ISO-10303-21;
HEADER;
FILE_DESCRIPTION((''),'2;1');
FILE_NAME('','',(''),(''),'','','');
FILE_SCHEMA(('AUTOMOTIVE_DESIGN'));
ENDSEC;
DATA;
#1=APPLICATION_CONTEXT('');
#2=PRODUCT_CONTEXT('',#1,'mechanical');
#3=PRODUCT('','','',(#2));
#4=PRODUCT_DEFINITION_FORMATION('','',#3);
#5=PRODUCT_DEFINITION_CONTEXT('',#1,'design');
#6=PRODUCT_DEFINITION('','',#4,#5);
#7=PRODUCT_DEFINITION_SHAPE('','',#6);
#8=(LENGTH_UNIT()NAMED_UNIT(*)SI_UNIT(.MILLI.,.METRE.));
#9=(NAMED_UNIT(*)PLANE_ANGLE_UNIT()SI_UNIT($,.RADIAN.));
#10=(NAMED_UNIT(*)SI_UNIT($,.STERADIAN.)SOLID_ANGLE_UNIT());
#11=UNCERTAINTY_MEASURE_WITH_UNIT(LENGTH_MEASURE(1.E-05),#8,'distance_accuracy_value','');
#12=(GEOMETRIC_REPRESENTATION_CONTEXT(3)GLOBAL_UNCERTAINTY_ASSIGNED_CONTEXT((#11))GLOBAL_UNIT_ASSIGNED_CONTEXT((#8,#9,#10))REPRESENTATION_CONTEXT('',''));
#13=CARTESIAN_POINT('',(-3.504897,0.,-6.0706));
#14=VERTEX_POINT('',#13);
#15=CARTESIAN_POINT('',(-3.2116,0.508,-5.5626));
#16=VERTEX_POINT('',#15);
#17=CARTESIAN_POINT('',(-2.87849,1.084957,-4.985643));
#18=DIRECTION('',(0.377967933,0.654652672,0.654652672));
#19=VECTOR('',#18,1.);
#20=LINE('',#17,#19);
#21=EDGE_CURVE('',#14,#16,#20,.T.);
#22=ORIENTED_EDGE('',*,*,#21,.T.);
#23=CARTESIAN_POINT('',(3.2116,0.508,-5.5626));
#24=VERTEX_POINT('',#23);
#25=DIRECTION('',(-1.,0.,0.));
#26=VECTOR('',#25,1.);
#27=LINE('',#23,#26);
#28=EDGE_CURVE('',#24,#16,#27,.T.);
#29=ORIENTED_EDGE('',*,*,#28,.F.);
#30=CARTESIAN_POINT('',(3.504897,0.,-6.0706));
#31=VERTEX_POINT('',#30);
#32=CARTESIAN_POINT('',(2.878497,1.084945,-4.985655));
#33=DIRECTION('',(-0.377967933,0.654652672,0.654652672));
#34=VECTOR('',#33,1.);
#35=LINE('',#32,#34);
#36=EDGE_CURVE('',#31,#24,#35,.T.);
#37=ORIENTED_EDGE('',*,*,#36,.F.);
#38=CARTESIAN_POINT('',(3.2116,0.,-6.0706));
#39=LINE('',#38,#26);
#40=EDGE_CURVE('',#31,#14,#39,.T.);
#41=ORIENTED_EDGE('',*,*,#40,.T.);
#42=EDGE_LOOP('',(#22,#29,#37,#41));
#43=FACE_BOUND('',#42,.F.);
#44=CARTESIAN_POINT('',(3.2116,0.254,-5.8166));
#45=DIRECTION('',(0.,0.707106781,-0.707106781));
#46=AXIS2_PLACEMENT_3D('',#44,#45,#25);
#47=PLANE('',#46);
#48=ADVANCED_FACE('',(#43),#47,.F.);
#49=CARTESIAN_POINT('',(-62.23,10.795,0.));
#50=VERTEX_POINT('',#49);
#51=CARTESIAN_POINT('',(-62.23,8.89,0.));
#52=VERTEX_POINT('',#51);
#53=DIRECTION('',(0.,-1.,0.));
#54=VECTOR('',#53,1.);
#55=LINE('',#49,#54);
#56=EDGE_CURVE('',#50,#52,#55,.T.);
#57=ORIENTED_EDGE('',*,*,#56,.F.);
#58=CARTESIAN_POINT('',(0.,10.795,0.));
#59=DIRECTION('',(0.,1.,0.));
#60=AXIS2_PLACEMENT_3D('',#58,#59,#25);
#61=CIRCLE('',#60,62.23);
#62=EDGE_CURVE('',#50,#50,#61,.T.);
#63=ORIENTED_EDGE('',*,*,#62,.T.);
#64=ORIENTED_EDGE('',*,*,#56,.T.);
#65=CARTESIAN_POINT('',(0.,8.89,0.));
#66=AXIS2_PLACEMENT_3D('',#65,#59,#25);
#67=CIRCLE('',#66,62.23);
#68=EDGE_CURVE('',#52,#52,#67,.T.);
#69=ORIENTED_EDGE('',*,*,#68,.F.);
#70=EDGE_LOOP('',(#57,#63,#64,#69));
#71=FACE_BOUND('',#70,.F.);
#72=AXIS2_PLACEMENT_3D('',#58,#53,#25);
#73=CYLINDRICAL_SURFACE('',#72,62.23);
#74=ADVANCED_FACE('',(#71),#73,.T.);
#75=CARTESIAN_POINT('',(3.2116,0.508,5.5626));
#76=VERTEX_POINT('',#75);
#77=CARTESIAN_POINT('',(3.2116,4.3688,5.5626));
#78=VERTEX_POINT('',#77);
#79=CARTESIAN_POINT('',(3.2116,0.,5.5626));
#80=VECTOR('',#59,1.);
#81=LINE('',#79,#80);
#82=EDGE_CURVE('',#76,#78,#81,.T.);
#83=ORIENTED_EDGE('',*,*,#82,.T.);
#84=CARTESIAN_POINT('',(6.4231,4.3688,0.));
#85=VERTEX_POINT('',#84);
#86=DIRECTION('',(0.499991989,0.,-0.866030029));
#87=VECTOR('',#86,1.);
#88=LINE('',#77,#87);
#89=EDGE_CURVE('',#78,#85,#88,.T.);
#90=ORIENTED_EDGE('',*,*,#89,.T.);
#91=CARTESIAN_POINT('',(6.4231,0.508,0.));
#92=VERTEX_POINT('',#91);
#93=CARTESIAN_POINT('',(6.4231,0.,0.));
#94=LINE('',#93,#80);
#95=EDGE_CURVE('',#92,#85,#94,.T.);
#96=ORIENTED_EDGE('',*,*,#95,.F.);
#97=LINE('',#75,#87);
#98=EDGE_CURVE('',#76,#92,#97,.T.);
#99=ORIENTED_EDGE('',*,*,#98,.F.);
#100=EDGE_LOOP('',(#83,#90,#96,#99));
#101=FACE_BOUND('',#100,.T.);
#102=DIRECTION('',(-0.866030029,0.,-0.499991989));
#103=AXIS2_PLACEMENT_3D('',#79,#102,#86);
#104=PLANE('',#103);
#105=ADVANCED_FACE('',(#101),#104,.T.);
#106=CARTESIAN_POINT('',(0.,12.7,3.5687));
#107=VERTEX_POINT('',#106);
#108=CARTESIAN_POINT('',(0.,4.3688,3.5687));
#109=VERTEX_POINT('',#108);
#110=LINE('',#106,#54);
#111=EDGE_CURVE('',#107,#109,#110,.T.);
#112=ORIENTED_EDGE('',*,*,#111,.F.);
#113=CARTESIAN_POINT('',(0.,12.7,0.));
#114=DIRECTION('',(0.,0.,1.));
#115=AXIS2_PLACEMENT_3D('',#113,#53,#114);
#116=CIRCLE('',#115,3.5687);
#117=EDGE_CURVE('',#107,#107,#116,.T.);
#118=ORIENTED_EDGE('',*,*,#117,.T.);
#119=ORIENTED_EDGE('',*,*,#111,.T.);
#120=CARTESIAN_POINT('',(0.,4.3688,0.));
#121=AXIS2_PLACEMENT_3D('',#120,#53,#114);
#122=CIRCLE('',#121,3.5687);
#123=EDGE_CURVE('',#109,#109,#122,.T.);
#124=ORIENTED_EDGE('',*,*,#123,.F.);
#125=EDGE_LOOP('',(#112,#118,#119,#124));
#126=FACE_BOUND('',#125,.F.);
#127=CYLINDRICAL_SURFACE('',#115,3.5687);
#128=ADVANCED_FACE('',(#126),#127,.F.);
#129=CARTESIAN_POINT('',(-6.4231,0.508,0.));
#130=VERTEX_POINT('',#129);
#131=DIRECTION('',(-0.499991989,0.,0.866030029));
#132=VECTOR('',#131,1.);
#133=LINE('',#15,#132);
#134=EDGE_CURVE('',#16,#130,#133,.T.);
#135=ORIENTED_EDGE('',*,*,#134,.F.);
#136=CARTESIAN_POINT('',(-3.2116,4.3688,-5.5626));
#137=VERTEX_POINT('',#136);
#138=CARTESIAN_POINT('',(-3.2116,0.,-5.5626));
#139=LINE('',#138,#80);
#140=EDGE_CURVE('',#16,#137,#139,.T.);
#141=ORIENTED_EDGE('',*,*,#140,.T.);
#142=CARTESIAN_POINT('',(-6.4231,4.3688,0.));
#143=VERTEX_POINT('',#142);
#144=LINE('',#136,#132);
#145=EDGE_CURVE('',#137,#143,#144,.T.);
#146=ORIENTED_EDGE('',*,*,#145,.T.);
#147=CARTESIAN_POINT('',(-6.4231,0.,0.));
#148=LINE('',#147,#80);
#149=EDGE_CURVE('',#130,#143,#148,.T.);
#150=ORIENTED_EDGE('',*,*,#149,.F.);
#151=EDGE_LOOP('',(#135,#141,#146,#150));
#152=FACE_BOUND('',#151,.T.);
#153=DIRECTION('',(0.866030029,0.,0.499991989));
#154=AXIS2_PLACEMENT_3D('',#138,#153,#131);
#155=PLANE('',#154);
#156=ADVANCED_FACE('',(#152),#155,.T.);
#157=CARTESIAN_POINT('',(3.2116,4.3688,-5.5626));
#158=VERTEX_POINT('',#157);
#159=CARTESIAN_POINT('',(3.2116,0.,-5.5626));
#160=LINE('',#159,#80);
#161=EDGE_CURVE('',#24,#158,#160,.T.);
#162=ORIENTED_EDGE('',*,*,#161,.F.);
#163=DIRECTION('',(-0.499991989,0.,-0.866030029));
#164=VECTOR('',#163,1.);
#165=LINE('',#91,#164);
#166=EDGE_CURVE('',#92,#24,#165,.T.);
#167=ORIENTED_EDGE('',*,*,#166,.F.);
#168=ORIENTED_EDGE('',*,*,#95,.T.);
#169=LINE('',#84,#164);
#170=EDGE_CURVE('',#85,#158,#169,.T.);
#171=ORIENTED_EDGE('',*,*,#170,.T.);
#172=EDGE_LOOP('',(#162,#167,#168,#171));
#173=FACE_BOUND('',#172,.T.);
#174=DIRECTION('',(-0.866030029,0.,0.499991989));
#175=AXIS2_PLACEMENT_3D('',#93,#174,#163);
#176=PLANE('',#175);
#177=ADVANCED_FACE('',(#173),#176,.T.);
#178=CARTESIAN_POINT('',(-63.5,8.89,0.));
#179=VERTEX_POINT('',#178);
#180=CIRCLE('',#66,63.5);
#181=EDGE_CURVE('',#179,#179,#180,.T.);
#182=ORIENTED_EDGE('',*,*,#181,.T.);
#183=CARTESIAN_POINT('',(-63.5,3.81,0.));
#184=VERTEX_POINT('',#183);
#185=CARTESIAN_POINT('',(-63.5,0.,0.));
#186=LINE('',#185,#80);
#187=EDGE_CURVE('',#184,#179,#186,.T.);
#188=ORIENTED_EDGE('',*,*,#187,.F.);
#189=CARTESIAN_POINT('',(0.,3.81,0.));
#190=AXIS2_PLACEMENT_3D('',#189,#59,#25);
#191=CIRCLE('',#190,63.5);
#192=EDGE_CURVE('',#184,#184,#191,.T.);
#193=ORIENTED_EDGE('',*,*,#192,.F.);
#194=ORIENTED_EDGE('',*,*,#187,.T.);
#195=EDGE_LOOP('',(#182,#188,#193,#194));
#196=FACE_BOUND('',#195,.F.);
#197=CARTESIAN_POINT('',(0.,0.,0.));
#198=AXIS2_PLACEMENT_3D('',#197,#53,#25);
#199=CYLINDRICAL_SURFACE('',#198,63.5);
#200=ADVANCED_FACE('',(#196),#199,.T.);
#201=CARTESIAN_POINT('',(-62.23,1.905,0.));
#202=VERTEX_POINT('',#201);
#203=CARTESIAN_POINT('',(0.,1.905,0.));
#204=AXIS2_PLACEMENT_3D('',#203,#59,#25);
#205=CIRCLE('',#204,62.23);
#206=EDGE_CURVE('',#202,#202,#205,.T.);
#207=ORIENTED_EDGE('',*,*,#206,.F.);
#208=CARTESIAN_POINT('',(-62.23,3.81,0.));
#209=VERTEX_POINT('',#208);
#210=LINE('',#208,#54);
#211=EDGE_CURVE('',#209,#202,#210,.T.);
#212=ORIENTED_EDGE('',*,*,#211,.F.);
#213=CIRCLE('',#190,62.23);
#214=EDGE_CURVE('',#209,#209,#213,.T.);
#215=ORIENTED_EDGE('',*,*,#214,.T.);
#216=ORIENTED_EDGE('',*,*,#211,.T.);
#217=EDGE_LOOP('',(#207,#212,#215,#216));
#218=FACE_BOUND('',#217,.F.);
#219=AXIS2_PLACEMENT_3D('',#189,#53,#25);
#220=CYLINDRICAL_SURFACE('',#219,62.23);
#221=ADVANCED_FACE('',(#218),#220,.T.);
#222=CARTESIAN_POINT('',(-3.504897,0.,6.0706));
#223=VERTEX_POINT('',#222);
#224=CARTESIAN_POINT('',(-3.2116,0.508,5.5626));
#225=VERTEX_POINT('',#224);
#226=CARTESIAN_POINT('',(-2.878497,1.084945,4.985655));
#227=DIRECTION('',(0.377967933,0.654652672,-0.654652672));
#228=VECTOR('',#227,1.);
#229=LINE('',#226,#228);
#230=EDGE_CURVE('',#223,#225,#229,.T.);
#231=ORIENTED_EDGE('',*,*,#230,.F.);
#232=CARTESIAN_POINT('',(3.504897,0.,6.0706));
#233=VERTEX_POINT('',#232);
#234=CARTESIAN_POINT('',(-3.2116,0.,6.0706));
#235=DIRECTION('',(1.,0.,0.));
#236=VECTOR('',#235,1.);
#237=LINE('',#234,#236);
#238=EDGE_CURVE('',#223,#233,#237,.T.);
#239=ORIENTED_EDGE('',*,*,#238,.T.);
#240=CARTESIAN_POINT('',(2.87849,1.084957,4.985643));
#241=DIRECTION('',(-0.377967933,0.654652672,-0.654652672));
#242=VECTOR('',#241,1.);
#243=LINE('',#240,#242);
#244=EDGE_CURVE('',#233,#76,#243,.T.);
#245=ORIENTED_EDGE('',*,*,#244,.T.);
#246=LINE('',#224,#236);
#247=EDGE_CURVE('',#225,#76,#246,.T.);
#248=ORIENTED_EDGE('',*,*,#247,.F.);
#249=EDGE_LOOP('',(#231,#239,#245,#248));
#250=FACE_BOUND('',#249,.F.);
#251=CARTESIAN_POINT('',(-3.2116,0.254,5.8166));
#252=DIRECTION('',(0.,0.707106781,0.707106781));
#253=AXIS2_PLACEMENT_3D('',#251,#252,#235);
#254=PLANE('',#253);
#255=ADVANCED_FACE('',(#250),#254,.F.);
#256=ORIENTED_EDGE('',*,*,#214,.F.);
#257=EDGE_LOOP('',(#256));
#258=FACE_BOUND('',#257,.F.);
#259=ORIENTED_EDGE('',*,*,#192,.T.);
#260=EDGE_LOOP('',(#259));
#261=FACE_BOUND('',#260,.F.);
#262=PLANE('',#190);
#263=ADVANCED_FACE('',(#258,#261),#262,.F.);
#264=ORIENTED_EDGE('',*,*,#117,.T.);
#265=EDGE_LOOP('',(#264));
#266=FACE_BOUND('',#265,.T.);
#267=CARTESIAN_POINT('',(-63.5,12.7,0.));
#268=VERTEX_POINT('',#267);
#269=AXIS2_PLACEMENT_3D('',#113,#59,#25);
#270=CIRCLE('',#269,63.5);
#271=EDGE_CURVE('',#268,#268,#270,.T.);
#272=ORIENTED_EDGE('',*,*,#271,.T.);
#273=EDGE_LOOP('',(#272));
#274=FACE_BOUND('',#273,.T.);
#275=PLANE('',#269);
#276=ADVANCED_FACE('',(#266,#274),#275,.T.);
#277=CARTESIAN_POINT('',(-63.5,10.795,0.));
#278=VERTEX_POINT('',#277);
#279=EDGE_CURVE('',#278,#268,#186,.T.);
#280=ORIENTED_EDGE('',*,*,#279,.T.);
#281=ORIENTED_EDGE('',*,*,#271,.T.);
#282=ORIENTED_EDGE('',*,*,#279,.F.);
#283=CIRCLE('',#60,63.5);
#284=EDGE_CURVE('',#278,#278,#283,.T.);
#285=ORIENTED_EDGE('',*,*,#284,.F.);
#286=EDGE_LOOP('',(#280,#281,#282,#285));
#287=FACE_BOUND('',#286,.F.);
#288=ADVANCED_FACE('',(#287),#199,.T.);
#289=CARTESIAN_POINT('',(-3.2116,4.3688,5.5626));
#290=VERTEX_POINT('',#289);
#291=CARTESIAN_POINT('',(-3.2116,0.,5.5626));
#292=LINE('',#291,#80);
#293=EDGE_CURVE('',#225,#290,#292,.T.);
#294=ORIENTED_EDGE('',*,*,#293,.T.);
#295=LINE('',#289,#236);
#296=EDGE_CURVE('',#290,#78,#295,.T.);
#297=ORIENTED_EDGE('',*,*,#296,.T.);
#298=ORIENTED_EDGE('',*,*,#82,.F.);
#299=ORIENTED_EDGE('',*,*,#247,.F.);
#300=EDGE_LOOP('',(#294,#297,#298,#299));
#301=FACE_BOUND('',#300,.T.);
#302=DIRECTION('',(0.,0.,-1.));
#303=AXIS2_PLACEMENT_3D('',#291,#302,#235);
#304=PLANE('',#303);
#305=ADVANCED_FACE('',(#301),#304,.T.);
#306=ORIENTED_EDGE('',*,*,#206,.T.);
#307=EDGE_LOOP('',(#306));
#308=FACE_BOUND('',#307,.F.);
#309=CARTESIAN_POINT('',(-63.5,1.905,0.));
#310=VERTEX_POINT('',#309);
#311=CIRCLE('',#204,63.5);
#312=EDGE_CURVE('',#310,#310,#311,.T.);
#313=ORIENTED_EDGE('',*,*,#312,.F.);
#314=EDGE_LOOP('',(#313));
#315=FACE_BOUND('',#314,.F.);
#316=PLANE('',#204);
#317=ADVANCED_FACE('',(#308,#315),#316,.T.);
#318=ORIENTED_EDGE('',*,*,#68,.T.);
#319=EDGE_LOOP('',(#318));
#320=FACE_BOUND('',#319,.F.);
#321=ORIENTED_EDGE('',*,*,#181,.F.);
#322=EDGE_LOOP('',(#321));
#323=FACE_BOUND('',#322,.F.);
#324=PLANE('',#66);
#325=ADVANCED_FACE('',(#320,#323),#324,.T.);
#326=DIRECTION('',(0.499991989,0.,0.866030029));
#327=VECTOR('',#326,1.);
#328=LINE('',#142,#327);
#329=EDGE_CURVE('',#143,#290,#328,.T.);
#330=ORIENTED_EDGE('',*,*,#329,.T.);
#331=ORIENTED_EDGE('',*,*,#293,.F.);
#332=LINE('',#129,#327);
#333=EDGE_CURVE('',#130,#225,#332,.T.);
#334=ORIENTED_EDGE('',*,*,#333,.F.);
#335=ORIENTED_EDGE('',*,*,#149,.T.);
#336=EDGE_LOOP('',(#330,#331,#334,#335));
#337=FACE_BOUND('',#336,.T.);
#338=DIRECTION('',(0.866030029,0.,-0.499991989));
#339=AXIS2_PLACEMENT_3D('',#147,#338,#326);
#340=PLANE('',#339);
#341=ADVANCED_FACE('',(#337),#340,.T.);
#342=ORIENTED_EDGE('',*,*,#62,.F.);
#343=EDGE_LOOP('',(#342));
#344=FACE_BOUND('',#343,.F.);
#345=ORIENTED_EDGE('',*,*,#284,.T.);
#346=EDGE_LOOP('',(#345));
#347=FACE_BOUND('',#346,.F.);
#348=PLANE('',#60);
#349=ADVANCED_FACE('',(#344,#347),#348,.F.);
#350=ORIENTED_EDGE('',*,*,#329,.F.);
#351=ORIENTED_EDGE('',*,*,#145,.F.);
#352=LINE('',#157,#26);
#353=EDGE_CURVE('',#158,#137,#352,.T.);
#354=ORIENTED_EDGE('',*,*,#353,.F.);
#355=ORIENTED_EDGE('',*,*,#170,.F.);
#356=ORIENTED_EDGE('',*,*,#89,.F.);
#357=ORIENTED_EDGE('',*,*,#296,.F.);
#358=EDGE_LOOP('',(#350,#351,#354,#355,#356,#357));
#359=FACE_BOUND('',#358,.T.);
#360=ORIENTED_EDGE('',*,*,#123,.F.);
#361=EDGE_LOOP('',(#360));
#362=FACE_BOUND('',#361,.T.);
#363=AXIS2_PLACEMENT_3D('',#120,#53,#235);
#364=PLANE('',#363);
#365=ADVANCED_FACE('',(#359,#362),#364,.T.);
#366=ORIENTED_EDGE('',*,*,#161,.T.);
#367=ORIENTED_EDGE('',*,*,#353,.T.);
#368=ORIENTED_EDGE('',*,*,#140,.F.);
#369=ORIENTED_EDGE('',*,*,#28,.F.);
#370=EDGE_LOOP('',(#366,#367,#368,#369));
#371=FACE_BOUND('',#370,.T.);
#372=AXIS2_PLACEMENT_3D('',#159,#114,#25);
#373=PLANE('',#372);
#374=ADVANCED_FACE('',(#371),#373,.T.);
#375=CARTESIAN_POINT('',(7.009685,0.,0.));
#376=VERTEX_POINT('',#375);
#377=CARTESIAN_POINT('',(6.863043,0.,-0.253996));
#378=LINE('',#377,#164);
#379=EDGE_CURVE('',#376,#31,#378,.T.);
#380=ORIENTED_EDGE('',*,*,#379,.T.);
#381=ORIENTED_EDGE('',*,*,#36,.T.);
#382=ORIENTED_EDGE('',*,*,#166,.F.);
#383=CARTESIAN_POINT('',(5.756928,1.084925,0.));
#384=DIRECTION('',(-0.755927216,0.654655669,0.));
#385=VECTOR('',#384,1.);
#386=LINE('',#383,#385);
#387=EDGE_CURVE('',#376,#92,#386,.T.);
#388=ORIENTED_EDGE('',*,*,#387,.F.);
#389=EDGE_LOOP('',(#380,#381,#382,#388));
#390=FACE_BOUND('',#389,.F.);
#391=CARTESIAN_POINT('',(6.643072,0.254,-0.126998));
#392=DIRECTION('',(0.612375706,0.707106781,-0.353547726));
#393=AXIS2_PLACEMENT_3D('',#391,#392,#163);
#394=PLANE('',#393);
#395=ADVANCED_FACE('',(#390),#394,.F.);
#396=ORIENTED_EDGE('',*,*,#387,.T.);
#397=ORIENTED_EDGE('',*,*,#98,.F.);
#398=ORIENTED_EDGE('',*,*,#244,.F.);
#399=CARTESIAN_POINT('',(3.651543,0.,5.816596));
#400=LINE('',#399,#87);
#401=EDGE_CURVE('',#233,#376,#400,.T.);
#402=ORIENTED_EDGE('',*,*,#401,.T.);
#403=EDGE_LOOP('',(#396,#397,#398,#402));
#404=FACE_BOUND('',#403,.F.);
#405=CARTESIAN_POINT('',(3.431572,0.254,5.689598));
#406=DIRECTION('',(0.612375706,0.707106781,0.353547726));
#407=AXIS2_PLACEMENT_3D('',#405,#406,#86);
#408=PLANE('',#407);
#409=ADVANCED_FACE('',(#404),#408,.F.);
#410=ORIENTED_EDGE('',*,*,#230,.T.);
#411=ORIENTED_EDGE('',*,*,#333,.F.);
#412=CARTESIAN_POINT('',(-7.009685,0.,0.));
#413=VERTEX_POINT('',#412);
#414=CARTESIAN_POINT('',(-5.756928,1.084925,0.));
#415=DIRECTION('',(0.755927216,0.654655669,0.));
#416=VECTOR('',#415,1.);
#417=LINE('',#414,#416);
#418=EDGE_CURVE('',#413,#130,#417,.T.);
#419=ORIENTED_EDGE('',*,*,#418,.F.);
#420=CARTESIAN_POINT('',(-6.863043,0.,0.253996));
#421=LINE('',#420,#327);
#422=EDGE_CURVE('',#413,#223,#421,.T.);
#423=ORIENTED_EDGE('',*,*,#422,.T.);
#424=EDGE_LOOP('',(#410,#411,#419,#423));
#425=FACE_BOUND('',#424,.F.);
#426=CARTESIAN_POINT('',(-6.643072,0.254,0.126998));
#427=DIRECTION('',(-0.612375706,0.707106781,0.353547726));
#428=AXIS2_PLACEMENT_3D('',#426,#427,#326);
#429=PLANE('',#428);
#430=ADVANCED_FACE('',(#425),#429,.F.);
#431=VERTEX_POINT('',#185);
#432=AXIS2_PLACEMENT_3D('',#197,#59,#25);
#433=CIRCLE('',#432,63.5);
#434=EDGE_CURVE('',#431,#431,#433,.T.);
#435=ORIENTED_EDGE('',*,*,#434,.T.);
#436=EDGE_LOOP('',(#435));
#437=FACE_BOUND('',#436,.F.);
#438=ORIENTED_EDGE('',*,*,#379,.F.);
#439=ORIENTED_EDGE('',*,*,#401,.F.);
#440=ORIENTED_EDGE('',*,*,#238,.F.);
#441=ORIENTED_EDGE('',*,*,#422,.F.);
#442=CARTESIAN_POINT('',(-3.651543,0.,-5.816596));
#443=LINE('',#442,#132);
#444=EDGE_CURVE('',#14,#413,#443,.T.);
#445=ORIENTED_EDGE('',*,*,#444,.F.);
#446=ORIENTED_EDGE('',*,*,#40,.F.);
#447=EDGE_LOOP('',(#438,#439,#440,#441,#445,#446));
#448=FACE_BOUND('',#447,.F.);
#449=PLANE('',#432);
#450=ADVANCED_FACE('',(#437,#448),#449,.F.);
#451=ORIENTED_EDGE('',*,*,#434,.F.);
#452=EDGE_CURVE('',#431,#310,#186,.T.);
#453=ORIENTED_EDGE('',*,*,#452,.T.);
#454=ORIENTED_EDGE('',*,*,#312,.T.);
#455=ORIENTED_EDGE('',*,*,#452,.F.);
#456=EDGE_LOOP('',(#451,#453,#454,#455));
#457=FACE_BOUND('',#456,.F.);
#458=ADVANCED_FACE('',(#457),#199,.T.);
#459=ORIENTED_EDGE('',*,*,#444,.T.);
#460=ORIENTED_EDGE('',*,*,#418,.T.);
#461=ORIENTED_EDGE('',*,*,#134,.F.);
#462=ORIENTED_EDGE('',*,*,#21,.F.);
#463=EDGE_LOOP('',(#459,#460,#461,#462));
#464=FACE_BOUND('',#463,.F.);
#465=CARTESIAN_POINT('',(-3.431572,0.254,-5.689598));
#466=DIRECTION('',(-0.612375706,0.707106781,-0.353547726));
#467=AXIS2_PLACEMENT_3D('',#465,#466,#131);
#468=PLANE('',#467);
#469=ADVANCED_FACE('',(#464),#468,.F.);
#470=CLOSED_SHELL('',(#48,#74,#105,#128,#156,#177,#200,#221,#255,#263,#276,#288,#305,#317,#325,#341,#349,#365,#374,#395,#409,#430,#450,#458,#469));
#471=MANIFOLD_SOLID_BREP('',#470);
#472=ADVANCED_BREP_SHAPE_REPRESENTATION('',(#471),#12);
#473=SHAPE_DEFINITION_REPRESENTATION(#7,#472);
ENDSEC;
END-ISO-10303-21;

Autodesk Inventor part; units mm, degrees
ref_plane "YZ Plane" through (0, 0, 0) normal (1, 0, 0) x (0, 1, 0)
ref_plane "XZ Plane" through (0, 0, 0) normal (0, 1, 0) x (-1, 0, 0)
ref_plane "XY Plane" through (0, 0, 0) normal (0, 0, 1) x (1, 0, 0)
sketch "Sketch1" plane through (0, 0, 0) normal (0, 1, 0) x (-1, 0, 0)
  circle A0 centre (0, 0) radius 63.5
  dimension "d0" = 127
extrude "Extrusion1" add sketch "Sketch1" along normal blind 12.7
sketch "Sketch2" plane through (0, 12.7, 0) normal (0, 1, 0) x (1, 0, 0)
  point P0 (0, 0)
  point P1 (26.4475, 5.8254)
hole "Hole1" at (0, 12.7, 0) direction (0, -1, 0) diameter 7.1374 end through all clearance for "Hex Head Bolt" size "1/4" standard "Ansi Unified Screw Threads"
sketch "Sketch3" plane through (0, 0, 0) normal (0, -1, 0) x (1, 0, 0)
  circle A0 centre (0, 0) radius 3.5687 projected
  line L0 (6.4231, 0) -> (3.2116, -5.5626)
  line L1 (3.2116, -5.5626) -> (-3.2116, -5.5626)
  line L2 (-3.2116, -5.5626) -> (-6.4231, 0)
  line L3 (-6.4231, 0) -> (-3.2116, 5.5626)
  line L4 (-3.2116, 5.5626) -> (3.2116, 5.5626)
  line L5 (3.2116, 5.5626) -> (6.4231, 0)
  dimension "d10" = 11.1252
extrude "Extrusion2" cut sketch "Sketch3" against normal blind 4.3688 contours A0 | L0 L1 L2 L3 L4 L5
chamfer "Chamfer1" distance 0.508 angle 45 6 edges at (4.8174, 0, 2.7813) (0, 0, 5.5626) (-4.8174, 0, 2.7813) (-4.8174, 0, -2.7813) (0, 0, -5.5626) (4.8174, 0, -2.7813)
sketch "Sketch4" plane through (0, 0, 0) normal (0, 0, 1) x (1, 0, 0)
  line L0 (-63.5, 0) -> (-63.5, 12.7) projected
  line L1 (-63.5, 3.81) -> (-62.23, 3.81)
  line L2 (-62.23, 3.81) -> (-62.23, 1.905)
  line L3 (-62.23, 1.905) -> (-63.5, 1.905)
  line L4 (-63.5, 1.905) -> (-63.5, 3.81)
  line L5 (-63.5, 10.795) -> (-62.23, 10.795)
  line L6 (-62.23, 10.795) -> (-62.23, 8.89)
  line L7 (-62.23, 8.89) -> (-63.5, 8.89)
  line L8 (-63.5, 8.89) -> (-63.5, 10.795)
  line L9 (-63.5, 6.35) -> (-70.565, 6.35)
  line L10 (0, 0) -> (0, 18.3077)
  dimension "d16" = 1.27
  dimension "d17" = 1.905
  dimension "d18" = 5.08
revolve "Revolution1" cut sketch "Sketch4" angle 360 about axis through (0, 0, 0) along (0, 1, 0)
properties part number "Piston Head"
